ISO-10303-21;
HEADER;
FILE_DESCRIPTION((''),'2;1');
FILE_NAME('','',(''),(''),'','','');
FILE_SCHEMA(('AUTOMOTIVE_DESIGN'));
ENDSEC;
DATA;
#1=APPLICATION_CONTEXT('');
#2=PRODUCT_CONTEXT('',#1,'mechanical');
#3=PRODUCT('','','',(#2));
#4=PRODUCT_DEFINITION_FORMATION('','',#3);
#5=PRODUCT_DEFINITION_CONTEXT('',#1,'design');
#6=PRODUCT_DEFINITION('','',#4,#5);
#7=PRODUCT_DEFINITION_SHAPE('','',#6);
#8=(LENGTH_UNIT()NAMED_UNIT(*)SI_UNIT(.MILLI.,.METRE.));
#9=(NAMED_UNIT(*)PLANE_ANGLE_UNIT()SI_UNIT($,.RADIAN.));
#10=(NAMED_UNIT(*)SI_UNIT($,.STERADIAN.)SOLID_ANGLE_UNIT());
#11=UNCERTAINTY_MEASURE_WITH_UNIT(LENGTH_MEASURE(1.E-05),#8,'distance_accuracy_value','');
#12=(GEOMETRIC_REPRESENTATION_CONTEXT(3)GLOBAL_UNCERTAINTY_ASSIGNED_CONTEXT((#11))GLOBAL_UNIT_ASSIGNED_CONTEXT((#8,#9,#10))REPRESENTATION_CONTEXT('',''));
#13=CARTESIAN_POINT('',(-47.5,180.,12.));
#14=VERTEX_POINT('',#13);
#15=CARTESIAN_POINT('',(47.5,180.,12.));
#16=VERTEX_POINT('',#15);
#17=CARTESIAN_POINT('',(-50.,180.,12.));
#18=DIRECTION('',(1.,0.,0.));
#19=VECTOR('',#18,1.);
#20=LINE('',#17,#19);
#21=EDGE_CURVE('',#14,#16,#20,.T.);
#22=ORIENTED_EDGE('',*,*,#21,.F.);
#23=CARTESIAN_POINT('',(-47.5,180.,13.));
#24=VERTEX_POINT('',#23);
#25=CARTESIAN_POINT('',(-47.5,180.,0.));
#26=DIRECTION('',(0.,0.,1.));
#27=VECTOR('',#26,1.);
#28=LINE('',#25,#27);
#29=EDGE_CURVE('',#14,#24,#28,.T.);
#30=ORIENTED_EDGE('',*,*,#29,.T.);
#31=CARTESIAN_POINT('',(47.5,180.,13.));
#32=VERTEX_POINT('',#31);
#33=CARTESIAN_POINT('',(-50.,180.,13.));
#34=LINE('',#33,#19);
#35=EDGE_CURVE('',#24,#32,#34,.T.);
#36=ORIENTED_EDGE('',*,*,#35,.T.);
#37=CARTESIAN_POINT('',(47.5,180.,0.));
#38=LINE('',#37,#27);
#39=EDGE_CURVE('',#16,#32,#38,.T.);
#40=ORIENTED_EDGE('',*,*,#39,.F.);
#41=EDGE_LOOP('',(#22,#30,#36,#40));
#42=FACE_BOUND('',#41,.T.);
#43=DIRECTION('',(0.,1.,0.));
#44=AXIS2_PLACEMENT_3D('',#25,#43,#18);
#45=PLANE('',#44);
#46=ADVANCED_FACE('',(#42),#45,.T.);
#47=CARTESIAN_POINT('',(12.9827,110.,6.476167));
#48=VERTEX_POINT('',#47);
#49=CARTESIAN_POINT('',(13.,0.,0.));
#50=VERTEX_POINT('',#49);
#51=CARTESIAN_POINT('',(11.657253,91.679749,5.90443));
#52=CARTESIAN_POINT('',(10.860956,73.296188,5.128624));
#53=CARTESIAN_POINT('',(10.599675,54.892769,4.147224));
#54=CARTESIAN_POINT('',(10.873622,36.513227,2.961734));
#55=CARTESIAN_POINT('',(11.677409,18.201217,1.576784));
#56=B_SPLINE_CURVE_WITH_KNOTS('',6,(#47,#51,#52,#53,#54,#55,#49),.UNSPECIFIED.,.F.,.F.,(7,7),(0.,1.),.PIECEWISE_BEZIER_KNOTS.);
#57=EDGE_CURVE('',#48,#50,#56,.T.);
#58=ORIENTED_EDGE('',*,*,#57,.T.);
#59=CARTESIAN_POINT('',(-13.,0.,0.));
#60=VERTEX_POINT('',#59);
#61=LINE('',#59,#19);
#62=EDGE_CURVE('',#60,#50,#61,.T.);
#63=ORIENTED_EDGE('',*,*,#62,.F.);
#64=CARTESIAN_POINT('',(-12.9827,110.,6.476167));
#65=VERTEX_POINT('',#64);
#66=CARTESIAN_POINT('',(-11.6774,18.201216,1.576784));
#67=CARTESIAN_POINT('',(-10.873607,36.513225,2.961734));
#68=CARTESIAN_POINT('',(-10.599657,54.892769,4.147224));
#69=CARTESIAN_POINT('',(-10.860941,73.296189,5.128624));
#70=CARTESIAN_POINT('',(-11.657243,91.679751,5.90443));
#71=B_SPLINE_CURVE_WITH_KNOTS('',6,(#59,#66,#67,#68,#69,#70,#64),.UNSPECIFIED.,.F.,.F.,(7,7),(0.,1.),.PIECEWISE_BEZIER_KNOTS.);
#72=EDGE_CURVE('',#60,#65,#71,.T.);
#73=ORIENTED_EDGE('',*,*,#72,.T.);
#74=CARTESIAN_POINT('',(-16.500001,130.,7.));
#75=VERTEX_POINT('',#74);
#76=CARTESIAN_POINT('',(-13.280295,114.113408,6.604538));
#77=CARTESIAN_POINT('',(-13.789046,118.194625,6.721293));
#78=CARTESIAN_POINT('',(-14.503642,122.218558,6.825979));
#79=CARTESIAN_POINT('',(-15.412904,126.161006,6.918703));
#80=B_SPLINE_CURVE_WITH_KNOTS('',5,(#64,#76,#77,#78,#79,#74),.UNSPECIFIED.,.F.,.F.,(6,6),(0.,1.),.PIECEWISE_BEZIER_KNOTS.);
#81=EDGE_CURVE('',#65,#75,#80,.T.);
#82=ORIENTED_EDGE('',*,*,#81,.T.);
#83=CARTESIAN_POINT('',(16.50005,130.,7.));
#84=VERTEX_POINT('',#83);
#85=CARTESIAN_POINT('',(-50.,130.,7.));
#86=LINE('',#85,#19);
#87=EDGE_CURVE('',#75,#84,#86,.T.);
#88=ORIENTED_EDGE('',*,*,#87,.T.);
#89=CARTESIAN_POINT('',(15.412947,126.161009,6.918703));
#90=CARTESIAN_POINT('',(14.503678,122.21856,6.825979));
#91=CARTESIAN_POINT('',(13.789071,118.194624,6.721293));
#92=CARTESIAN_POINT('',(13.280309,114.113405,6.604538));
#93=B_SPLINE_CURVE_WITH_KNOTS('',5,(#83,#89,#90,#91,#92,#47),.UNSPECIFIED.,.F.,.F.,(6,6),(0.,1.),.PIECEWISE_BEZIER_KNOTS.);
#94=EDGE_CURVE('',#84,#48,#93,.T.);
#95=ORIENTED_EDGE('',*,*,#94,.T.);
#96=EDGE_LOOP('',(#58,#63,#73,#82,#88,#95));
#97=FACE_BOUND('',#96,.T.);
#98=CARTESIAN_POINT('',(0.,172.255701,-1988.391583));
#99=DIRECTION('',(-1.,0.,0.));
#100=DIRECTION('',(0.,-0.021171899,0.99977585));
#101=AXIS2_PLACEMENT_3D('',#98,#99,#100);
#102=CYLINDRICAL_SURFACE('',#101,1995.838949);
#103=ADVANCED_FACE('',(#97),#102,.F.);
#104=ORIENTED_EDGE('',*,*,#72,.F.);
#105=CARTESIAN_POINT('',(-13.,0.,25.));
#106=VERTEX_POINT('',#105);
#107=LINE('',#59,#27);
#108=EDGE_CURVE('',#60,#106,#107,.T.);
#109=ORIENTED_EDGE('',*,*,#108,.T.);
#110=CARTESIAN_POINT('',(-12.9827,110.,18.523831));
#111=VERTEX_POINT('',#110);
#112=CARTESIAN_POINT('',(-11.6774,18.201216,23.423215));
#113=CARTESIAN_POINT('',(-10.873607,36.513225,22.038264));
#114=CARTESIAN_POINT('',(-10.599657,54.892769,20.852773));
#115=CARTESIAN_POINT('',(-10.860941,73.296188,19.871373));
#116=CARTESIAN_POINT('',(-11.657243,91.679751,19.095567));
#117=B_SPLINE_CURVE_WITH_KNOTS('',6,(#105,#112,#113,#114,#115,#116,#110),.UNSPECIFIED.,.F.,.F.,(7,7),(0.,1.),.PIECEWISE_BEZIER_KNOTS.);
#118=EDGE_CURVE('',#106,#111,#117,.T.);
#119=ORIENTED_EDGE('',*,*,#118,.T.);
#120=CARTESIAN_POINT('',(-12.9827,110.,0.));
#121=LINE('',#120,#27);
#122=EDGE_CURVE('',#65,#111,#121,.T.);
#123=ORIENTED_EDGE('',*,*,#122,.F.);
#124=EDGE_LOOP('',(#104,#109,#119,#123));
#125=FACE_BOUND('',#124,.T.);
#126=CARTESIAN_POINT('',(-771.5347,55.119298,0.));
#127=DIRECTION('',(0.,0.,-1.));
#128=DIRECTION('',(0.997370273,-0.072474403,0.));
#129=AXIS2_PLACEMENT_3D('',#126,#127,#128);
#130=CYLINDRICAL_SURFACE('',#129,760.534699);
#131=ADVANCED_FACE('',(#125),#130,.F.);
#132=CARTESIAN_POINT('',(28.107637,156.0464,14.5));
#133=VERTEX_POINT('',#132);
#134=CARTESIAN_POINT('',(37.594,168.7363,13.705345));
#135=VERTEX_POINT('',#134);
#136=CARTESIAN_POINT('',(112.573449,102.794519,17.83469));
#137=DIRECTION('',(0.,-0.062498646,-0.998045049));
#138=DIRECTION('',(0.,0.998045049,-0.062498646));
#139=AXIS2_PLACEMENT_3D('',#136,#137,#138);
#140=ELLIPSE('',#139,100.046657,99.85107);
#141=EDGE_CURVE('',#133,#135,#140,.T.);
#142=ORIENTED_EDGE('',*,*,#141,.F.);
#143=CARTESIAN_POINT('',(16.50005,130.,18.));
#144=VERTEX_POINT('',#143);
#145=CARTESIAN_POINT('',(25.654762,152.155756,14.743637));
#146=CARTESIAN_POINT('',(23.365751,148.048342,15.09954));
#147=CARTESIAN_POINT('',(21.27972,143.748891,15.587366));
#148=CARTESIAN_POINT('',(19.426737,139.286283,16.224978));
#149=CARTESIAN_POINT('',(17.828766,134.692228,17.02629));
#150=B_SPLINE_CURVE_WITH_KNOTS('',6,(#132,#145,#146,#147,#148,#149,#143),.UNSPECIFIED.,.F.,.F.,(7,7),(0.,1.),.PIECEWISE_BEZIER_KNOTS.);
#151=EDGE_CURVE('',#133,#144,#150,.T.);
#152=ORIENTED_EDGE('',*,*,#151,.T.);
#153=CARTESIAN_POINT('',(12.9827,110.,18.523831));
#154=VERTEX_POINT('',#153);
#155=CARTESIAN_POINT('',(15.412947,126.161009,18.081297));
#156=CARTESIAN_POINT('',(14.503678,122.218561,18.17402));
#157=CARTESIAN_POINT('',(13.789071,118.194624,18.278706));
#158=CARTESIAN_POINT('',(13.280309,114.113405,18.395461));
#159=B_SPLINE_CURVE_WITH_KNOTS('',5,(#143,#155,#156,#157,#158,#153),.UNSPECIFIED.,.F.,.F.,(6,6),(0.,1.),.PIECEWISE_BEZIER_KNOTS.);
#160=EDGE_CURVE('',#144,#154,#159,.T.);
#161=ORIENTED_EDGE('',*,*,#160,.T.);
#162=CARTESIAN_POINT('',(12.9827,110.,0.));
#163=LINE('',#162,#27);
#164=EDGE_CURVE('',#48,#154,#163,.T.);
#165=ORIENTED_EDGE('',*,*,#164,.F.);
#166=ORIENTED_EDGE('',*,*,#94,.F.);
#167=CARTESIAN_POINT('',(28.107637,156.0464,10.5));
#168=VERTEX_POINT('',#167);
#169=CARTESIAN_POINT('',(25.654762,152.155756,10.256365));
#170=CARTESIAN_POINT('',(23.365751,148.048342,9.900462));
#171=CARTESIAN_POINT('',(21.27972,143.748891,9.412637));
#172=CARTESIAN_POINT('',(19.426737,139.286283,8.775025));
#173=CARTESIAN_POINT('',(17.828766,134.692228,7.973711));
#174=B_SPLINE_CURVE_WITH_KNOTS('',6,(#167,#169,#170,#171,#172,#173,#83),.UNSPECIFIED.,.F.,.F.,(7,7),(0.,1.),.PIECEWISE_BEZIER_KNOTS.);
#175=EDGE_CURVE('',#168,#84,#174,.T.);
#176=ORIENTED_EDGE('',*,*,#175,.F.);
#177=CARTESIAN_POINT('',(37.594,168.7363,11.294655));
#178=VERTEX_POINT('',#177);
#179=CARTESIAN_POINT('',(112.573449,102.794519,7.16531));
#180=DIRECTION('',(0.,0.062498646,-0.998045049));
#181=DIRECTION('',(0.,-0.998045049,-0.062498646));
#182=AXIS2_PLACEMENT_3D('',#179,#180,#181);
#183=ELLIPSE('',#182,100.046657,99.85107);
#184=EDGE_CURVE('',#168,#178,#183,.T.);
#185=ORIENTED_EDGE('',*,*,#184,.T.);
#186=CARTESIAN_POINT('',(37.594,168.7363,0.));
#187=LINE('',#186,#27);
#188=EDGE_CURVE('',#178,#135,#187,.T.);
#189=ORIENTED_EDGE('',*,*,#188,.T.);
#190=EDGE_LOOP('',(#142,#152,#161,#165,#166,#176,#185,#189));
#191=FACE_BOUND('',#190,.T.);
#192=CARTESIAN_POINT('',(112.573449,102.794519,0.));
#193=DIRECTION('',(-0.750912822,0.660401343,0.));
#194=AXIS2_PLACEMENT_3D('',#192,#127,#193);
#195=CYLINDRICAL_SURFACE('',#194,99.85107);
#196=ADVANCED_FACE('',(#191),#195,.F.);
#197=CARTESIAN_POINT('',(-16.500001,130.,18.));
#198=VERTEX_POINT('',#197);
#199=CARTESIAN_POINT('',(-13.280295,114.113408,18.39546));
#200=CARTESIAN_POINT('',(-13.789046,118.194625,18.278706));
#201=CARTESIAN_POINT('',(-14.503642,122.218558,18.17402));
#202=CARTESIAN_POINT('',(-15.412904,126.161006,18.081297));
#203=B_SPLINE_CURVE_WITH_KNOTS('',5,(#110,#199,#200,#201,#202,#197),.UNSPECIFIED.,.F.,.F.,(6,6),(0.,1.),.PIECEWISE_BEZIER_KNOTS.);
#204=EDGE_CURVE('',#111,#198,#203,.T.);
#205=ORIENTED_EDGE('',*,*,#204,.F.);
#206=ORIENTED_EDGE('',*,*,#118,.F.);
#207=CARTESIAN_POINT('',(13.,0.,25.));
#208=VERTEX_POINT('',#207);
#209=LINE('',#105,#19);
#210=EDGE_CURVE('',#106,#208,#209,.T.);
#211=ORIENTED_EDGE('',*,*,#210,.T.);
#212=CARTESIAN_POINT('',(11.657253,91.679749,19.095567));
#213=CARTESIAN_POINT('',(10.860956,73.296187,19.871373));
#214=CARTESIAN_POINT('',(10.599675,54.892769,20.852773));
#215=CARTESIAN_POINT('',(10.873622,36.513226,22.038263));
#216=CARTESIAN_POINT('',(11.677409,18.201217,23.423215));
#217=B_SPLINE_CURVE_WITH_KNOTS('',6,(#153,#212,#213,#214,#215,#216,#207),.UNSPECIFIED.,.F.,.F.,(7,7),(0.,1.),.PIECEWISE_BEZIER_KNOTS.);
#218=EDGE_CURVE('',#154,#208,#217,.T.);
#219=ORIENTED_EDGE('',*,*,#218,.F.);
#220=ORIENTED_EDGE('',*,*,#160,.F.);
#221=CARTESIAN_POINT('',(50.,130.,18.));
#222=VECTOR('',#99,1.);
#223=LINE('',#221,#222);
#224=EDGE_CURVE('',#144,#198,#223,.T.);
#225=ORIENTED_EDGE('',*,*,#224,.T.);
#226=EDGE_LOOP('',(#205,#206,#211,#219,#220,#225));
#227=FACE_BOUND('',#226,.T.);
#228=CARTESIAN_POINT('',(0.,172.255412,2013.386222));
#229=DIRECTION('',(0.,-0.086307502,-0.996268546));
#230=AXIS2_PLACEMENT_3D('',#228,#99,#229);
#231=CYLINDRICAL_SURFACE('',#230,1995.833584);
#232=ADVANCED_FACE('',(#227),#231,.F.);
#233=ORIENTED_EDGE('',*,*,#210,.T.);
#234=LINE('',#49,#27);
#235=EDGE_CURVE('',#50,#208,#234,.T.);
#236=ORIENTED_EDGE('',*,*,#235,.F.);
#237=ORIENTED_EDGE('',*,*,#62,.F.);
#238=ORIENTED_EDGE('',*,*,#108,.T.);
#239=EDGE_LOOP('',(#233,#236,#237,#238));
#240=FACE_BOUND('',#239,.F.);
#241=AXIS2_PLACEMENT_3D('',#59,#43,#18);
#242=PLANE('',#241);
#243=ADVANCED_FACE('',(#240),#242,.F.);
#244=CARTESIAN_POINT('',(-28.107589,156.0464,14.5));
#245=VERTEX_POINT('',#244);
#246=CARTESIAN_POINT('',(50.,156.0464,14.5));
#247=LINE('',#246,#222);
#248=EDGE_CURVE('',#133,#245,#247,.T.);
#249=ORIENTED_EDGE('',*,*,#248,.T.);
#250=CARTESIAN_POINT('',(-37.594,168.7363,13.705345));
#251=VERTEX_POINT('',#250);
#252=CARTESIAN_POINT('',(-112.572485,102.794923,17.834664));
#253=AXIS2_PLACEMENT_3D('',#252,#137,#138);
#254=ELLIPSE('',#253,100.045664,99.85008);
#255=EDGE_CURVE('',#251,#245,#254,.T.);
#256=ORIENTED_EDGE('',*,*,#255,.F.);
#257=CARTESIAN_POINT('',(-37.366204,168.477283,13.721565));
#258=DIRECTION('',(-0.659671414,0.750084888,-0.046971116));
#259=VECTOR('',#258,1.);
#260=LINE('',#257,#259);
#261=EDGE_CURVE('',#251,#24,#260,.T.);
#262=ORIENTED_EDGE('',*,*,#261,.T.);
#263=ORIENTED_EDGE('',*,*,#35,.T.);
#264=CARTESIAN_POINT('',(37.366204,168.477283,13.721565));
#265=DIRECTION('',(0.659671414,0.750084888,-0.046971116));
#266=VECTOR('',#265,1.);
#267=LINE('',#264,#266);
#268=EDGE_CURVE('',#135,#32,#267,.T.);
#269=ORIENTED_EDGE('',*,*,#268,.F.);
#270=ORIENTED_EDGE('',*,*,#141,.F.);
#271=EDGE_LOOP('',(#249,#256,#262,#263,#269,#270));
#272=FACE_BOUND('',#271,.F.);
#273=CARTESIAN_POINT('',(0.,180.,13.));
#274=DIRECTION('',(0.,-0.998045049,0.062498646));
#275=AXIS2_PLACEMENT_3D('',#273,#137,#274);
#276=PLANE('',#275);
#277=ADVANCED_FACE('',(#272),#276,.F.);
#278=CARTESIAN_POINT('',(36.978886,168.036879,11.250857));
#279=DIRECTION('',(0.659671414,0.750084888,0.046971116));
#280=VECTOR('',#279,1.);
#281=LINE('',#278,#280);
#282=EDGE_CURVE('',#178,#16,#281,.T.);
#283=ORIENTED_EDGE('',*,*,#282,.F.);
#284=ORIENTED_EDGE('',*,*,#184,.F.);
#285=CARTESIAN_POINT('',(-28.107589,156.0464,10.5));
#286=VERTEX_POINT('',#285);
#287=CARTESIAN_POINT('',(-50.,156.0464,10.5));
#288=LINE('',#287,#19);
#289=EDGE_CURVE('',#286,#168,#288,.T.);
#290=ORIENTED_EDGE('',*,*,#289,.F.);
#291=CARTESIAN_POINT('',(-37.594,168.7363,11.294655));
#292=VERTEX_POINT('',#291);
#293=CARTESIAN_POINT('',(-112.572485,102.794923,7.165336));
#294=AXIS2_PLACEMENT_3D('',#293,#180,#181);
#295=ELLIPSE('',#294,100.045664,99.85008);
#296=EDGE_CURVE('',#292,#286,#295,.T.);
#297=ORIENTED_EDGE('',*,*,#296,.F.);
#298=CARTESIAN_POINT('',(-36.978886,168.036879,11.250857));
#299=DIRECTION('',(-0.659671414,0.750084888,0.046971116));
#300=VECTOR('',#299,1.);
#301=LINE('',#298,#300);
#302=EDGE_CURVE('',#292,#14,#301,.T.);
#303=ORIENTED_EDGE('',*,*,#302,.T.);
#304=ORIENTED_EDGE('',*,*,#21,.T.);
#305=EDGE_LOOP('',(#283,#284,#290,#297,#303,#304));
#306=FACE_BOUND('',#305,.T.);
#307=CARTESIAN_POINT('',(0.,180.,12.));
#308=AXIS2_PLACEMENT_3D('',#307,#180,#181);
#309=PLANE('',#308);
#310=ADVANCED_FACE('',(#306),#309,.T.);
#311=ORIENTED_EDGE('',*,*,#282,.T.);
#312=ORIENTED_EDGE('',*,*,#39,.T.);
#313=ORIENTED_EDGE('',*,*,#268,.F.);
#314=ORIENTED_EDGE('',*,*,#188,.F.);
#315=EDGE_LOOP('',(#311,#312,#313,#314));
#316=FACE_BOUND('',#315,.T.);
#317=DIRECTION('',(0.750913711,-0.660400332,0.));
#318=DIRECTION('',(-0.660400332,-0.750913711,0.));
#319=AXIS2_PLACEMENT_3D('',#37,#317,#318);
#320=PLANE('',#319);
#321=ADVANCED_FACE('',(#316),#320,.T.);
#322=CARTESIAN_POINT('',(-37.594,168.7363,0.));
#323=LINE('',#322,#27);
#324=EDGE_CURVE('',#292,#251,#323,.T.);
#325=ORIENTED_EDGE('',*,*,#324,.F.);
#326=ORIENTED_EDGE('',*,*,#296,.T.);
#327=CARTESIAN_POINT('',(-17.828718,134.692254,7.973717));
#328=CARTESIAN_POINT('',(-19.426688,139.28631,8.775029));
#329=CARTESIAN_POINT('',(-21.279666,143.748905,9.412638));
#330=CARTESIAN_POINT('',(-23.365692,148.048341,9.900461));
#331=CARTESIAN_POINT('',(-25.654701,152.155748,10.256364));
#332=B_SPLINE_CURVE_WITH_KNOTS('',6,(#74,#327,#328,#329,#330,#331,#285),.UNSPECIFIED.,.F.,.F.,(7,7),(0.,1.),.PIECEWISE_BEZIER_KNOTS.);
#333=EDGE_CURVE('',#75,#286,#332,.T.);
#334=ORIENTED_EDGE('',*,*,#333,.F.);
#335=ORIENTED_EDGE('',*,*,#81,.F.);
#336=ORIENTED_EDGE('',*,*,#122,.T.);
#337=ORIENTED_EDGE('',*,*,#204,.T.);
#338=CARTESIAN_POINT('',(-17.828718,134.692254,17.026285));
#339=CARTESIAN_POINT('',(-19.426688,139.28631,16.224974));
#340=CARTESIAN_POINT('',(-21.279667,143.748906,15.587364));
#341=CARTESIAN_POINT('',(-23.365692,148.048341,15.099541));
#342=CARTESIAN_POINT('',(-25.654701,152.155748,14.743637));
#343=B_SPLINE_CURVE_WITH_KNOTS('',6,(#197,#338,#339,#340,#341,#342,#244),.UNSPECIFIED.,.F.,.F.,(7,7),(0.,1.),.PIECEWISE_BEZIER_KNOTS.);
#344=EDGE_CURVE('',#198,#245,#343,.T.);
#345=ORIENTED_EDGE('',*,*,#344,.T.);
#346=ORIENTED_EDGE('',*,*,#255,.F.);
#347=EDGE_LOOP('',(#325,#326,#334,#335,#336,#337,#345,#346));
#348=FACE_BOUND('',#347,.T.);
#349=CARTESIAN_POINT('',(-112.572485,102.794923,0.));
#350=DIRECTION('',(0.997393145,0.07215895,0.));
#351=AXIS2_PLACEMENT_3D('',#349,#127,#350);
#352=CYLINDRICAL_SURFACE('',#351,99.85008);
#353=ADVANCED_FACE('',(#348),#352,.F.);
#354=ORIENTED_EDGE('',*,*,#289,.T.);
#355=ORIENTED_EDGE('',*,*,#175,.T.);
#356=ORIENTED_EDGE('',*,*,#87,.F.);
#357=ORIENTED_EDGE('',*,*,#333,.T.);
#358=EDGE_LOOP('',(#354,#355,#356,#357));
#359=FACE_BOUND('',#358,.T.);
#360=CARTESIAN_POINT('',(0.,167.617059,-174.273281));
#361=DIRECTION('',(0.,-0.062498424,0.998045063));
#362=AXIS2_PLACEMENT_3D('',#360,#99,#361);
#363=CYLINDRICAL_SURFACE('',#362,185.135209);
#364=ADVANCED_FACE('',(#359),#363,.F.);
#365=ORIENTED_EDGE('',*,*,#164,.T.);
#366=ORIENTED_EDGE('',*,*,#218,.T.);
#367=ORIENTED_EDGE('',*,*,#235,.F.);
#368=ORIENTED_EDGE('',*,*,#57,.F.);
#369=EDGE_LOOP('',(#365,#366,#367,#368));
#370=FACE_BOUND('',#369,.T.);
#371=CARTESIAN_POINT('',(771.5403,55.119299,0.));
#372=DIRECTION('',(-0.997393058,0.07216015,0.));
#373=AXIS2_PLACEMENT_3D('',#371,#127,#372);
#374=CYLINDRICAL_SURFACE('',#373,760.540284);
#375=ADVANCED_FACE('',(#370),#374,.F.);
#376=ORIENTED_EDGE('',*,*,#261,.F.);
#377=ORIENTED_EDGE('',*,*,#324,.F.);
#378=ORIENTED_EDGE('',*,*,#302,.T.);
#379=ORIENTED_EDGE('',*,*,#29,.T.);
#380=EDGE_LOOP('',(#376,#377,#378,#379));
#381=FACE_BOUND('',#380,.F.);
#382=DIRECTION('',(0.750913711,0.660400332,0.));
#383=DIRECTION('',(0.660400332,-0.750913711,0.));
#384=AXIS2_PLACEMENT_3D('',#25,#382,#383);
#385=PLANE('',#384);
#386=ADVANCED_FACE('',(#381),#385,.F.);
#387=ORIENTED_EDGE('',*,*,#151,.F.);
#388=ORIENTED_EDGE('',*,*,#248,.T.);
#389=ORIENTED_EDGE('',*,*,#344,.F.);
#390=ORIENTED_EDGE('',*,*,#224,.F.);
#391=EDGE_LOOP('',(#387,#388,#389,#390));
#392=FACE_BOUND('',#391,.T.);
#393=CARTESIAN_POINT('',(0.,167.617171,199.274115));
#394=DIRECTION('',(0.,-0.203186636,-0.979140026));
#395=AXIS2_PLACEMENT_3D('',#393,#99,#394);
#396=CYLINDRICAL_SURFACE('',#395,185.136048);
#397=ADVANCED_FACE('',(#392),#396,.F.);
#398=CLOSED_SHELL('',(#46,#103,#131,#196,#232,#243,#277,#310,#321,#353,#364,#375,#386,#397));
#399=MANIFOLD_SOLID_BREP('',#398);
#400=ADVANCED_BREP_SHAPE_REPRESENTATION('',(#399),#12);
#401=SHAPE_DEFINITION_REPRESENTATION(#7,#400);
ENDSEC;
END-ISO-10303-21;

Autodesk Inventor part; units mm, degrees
ref_plane "YZ Plane" through (0, 0, 0) normal (1, 0, 0) x (0, 1, 0)
ref_plane "XZ Plane" through (0, 0, 0) normal (0, 1, 0) x (-1, 0, 0)
ref_plane "XY Plane" through (0, 0, 0) normal (0, 0, 1) x (1, 0, 0)
sketch "Эскиз1" plane through (0, 0, 0) normal (0, 0, 1) x (1, 0, 0)
  line L0 (-13, 0) -> (13, 0)
  line L1 (-47.5, 180) -> (47.5, 180)
  line L2 (-16.5, 130) -> (16.5, 130)
  line L3 (-12.9827, 110) -> (12.9827, 110)
  line L4 (-11.8003, 90) -> (11.8003, 90)
  line L5 (47.5, 180) -> (37.594, 168.7363)
  line L6 (-47.5, 180) -> (-37.594, 168.7363)
  line L7 (-37.594, 168.7363) -> (37.594, 168.7363)
  arc A0 (37.594, 168.7363) -> (12.9827, 110) centre (112.573, 102.7948) ccw
  arc A1 (12.9827, 110) -> (13, 0) centre (771.5375, 55.1194) ccw
  arc A2 (-12.9827, 110) -> (-37.594, 168.7363) centre (-112.573, 102.7948) ccw
  arc A3 (-13, 0) -> (-12.9827, 110) centre (-771.5375, 55.1194) ccw
  line L8 (-11, 80.4723) -> (-11, 26.1046)
  line L9 (11, 80.4723) -> (11, 26.1046)
  line L10 (-37.594, 168.7363) -> (13.0707, 111.1279)
  line L11 (37.594, 168.7363) -> (-13.0707, 111.1279)
  point P0 (0, 0)
  point P1 (0, 0)
  point P2 (0, 180)
  point P3 (0, 130)
  point P4 (0, 90)
  point P5 (0, 110)
  point P6 (-11, 55.1194)
  dimension "d0" = 26
  dimension "d1" = 95
  dimension "d2" = 33
  dimension "d5" = 180
  dimension "d6" = 50
  dimension "d7" = 20
  dimension "d8" = 20
  dimension "d9" = 15
  dimension "d10" = 15
  dimension "d13" = 22
  dimension "d19" = 55.1194
extrude "Выдавливание1" add sketch "Эскиз1" along normal blind 25
sketch "Эскиз2" plane through (0, 0, 0) normal (1, 0, 0) x (0, 1, 0)
  line L0 (0, 0) -> (110, 0) projected
  line L1 (110, 0) -> (110, 25) projected
  line L2 (0, 25) -> (110, 25) projected
  line L3 (0, 0) -> (0, 25) projected
  line L4 (110, 0) -> (169.3956, 0) projected
  line L5 (110, 25) -> (169.3956, 25) projected
  line L6 (110, 0) -> (110, 25) projected
  line L7 (130, 18) -> (130, 7)
  line L8 (55, 21) -> (55, 4)
  arc A0 (0, 25) -> (130, 18) centre (172.2556, 2013.3889) ccw
  arc A1 (130, 7) -> (0, 0) centre (172.2556, -1988.3889) ccw
  line L9 (180, 13) -> (180, 12)
  line L10 (156.0464, 14.5) -> (156.0464, 10.5)
  line L11 (180, 13) -> (156.0464, 14.5)
  line L12 (180, 12) -> (156.0464, 10.5)
  arc A2 (130, 18) -> (156.0464, 14.5) centre (167.6171, 199.2737) ccw
  arc A3 (156.0464, 10.5) -> (130, 7) centre (167.6171, -174.2737) ccw
  line L13 (168.7363, 0) -> (180, 0) projected
  line L14 (180, 0) -> (180, 25) projected
  line L15 (168.7363, 25) -> (180, 25) projected
  point P0 (130, 12.5)
  point P1 (0, 12.5)
  point P2 (55, 12.5)
  point P3 (180, 12.5)
  point P4 (169.3956, 12.5)
  point P5 (156.0464, 12.5)
  point P6 (180, 12.5)
  dimension "d16" = 11
  dimension "d20" = 55
  dimension "d21" = 17
  dimension "d22" = 1
  dimension "d23" = 4
  dimension "d28" = 50
  dimension "d30" = 23.9536
extrude "Выдавливание2" cut sketch "Эскиз2" along normal mid plane 100 contours L3 A0 L8 A1 | L8 A0 L1 A1 | L1 A0 L7 A1 | L7 A2 L10 A3 | L10 L11 L9 L12 keep common part
sketch "Эскиз3" plane through (0, 0, 0) normal (0, 0, 1) x (1, 0, 0)
  arc A0 (37.594, 168.7363) -> (28.1076, 156.0464) centre (112.573, 102.7948) ccw projected
  line L0 (37.594, 168.7363) -> (47.5, 180) projected
  line L1 (47.5, 180) -> (-47.5, 180) projected
  line L2 (-47.5, 180) -> (-37.594, 168.7363) projected
  arc A1 (-28.1076, 156.0464) -> (-37.594, 168.7363) centre (-112.573, 102.7948) ccw projected
  line L3 (-28.1076, 156.0464) -> (28.1076, 156.0464) projected
  line L4 (-28.1076, 156.0464) -> (28.1076, 156.0464) projected
  line L5 (16.5, 130) -> (-16.5, 130) projected
  line L6 (16.5, 130) -> (-16.5, 130) projected
  line L7 (-13, 0) -> (13, 0) projected
  point P0 (0, 0)
  point P1 (12.9827, 110)
  point P2 (-12.9827, 110)
  point P3 (-30, 158.9361)
  point P4 (30, 158.9361)
  dimension "d31" = 60
  dimension "d32" = 2.8897
properties part number "bachi_v2"
